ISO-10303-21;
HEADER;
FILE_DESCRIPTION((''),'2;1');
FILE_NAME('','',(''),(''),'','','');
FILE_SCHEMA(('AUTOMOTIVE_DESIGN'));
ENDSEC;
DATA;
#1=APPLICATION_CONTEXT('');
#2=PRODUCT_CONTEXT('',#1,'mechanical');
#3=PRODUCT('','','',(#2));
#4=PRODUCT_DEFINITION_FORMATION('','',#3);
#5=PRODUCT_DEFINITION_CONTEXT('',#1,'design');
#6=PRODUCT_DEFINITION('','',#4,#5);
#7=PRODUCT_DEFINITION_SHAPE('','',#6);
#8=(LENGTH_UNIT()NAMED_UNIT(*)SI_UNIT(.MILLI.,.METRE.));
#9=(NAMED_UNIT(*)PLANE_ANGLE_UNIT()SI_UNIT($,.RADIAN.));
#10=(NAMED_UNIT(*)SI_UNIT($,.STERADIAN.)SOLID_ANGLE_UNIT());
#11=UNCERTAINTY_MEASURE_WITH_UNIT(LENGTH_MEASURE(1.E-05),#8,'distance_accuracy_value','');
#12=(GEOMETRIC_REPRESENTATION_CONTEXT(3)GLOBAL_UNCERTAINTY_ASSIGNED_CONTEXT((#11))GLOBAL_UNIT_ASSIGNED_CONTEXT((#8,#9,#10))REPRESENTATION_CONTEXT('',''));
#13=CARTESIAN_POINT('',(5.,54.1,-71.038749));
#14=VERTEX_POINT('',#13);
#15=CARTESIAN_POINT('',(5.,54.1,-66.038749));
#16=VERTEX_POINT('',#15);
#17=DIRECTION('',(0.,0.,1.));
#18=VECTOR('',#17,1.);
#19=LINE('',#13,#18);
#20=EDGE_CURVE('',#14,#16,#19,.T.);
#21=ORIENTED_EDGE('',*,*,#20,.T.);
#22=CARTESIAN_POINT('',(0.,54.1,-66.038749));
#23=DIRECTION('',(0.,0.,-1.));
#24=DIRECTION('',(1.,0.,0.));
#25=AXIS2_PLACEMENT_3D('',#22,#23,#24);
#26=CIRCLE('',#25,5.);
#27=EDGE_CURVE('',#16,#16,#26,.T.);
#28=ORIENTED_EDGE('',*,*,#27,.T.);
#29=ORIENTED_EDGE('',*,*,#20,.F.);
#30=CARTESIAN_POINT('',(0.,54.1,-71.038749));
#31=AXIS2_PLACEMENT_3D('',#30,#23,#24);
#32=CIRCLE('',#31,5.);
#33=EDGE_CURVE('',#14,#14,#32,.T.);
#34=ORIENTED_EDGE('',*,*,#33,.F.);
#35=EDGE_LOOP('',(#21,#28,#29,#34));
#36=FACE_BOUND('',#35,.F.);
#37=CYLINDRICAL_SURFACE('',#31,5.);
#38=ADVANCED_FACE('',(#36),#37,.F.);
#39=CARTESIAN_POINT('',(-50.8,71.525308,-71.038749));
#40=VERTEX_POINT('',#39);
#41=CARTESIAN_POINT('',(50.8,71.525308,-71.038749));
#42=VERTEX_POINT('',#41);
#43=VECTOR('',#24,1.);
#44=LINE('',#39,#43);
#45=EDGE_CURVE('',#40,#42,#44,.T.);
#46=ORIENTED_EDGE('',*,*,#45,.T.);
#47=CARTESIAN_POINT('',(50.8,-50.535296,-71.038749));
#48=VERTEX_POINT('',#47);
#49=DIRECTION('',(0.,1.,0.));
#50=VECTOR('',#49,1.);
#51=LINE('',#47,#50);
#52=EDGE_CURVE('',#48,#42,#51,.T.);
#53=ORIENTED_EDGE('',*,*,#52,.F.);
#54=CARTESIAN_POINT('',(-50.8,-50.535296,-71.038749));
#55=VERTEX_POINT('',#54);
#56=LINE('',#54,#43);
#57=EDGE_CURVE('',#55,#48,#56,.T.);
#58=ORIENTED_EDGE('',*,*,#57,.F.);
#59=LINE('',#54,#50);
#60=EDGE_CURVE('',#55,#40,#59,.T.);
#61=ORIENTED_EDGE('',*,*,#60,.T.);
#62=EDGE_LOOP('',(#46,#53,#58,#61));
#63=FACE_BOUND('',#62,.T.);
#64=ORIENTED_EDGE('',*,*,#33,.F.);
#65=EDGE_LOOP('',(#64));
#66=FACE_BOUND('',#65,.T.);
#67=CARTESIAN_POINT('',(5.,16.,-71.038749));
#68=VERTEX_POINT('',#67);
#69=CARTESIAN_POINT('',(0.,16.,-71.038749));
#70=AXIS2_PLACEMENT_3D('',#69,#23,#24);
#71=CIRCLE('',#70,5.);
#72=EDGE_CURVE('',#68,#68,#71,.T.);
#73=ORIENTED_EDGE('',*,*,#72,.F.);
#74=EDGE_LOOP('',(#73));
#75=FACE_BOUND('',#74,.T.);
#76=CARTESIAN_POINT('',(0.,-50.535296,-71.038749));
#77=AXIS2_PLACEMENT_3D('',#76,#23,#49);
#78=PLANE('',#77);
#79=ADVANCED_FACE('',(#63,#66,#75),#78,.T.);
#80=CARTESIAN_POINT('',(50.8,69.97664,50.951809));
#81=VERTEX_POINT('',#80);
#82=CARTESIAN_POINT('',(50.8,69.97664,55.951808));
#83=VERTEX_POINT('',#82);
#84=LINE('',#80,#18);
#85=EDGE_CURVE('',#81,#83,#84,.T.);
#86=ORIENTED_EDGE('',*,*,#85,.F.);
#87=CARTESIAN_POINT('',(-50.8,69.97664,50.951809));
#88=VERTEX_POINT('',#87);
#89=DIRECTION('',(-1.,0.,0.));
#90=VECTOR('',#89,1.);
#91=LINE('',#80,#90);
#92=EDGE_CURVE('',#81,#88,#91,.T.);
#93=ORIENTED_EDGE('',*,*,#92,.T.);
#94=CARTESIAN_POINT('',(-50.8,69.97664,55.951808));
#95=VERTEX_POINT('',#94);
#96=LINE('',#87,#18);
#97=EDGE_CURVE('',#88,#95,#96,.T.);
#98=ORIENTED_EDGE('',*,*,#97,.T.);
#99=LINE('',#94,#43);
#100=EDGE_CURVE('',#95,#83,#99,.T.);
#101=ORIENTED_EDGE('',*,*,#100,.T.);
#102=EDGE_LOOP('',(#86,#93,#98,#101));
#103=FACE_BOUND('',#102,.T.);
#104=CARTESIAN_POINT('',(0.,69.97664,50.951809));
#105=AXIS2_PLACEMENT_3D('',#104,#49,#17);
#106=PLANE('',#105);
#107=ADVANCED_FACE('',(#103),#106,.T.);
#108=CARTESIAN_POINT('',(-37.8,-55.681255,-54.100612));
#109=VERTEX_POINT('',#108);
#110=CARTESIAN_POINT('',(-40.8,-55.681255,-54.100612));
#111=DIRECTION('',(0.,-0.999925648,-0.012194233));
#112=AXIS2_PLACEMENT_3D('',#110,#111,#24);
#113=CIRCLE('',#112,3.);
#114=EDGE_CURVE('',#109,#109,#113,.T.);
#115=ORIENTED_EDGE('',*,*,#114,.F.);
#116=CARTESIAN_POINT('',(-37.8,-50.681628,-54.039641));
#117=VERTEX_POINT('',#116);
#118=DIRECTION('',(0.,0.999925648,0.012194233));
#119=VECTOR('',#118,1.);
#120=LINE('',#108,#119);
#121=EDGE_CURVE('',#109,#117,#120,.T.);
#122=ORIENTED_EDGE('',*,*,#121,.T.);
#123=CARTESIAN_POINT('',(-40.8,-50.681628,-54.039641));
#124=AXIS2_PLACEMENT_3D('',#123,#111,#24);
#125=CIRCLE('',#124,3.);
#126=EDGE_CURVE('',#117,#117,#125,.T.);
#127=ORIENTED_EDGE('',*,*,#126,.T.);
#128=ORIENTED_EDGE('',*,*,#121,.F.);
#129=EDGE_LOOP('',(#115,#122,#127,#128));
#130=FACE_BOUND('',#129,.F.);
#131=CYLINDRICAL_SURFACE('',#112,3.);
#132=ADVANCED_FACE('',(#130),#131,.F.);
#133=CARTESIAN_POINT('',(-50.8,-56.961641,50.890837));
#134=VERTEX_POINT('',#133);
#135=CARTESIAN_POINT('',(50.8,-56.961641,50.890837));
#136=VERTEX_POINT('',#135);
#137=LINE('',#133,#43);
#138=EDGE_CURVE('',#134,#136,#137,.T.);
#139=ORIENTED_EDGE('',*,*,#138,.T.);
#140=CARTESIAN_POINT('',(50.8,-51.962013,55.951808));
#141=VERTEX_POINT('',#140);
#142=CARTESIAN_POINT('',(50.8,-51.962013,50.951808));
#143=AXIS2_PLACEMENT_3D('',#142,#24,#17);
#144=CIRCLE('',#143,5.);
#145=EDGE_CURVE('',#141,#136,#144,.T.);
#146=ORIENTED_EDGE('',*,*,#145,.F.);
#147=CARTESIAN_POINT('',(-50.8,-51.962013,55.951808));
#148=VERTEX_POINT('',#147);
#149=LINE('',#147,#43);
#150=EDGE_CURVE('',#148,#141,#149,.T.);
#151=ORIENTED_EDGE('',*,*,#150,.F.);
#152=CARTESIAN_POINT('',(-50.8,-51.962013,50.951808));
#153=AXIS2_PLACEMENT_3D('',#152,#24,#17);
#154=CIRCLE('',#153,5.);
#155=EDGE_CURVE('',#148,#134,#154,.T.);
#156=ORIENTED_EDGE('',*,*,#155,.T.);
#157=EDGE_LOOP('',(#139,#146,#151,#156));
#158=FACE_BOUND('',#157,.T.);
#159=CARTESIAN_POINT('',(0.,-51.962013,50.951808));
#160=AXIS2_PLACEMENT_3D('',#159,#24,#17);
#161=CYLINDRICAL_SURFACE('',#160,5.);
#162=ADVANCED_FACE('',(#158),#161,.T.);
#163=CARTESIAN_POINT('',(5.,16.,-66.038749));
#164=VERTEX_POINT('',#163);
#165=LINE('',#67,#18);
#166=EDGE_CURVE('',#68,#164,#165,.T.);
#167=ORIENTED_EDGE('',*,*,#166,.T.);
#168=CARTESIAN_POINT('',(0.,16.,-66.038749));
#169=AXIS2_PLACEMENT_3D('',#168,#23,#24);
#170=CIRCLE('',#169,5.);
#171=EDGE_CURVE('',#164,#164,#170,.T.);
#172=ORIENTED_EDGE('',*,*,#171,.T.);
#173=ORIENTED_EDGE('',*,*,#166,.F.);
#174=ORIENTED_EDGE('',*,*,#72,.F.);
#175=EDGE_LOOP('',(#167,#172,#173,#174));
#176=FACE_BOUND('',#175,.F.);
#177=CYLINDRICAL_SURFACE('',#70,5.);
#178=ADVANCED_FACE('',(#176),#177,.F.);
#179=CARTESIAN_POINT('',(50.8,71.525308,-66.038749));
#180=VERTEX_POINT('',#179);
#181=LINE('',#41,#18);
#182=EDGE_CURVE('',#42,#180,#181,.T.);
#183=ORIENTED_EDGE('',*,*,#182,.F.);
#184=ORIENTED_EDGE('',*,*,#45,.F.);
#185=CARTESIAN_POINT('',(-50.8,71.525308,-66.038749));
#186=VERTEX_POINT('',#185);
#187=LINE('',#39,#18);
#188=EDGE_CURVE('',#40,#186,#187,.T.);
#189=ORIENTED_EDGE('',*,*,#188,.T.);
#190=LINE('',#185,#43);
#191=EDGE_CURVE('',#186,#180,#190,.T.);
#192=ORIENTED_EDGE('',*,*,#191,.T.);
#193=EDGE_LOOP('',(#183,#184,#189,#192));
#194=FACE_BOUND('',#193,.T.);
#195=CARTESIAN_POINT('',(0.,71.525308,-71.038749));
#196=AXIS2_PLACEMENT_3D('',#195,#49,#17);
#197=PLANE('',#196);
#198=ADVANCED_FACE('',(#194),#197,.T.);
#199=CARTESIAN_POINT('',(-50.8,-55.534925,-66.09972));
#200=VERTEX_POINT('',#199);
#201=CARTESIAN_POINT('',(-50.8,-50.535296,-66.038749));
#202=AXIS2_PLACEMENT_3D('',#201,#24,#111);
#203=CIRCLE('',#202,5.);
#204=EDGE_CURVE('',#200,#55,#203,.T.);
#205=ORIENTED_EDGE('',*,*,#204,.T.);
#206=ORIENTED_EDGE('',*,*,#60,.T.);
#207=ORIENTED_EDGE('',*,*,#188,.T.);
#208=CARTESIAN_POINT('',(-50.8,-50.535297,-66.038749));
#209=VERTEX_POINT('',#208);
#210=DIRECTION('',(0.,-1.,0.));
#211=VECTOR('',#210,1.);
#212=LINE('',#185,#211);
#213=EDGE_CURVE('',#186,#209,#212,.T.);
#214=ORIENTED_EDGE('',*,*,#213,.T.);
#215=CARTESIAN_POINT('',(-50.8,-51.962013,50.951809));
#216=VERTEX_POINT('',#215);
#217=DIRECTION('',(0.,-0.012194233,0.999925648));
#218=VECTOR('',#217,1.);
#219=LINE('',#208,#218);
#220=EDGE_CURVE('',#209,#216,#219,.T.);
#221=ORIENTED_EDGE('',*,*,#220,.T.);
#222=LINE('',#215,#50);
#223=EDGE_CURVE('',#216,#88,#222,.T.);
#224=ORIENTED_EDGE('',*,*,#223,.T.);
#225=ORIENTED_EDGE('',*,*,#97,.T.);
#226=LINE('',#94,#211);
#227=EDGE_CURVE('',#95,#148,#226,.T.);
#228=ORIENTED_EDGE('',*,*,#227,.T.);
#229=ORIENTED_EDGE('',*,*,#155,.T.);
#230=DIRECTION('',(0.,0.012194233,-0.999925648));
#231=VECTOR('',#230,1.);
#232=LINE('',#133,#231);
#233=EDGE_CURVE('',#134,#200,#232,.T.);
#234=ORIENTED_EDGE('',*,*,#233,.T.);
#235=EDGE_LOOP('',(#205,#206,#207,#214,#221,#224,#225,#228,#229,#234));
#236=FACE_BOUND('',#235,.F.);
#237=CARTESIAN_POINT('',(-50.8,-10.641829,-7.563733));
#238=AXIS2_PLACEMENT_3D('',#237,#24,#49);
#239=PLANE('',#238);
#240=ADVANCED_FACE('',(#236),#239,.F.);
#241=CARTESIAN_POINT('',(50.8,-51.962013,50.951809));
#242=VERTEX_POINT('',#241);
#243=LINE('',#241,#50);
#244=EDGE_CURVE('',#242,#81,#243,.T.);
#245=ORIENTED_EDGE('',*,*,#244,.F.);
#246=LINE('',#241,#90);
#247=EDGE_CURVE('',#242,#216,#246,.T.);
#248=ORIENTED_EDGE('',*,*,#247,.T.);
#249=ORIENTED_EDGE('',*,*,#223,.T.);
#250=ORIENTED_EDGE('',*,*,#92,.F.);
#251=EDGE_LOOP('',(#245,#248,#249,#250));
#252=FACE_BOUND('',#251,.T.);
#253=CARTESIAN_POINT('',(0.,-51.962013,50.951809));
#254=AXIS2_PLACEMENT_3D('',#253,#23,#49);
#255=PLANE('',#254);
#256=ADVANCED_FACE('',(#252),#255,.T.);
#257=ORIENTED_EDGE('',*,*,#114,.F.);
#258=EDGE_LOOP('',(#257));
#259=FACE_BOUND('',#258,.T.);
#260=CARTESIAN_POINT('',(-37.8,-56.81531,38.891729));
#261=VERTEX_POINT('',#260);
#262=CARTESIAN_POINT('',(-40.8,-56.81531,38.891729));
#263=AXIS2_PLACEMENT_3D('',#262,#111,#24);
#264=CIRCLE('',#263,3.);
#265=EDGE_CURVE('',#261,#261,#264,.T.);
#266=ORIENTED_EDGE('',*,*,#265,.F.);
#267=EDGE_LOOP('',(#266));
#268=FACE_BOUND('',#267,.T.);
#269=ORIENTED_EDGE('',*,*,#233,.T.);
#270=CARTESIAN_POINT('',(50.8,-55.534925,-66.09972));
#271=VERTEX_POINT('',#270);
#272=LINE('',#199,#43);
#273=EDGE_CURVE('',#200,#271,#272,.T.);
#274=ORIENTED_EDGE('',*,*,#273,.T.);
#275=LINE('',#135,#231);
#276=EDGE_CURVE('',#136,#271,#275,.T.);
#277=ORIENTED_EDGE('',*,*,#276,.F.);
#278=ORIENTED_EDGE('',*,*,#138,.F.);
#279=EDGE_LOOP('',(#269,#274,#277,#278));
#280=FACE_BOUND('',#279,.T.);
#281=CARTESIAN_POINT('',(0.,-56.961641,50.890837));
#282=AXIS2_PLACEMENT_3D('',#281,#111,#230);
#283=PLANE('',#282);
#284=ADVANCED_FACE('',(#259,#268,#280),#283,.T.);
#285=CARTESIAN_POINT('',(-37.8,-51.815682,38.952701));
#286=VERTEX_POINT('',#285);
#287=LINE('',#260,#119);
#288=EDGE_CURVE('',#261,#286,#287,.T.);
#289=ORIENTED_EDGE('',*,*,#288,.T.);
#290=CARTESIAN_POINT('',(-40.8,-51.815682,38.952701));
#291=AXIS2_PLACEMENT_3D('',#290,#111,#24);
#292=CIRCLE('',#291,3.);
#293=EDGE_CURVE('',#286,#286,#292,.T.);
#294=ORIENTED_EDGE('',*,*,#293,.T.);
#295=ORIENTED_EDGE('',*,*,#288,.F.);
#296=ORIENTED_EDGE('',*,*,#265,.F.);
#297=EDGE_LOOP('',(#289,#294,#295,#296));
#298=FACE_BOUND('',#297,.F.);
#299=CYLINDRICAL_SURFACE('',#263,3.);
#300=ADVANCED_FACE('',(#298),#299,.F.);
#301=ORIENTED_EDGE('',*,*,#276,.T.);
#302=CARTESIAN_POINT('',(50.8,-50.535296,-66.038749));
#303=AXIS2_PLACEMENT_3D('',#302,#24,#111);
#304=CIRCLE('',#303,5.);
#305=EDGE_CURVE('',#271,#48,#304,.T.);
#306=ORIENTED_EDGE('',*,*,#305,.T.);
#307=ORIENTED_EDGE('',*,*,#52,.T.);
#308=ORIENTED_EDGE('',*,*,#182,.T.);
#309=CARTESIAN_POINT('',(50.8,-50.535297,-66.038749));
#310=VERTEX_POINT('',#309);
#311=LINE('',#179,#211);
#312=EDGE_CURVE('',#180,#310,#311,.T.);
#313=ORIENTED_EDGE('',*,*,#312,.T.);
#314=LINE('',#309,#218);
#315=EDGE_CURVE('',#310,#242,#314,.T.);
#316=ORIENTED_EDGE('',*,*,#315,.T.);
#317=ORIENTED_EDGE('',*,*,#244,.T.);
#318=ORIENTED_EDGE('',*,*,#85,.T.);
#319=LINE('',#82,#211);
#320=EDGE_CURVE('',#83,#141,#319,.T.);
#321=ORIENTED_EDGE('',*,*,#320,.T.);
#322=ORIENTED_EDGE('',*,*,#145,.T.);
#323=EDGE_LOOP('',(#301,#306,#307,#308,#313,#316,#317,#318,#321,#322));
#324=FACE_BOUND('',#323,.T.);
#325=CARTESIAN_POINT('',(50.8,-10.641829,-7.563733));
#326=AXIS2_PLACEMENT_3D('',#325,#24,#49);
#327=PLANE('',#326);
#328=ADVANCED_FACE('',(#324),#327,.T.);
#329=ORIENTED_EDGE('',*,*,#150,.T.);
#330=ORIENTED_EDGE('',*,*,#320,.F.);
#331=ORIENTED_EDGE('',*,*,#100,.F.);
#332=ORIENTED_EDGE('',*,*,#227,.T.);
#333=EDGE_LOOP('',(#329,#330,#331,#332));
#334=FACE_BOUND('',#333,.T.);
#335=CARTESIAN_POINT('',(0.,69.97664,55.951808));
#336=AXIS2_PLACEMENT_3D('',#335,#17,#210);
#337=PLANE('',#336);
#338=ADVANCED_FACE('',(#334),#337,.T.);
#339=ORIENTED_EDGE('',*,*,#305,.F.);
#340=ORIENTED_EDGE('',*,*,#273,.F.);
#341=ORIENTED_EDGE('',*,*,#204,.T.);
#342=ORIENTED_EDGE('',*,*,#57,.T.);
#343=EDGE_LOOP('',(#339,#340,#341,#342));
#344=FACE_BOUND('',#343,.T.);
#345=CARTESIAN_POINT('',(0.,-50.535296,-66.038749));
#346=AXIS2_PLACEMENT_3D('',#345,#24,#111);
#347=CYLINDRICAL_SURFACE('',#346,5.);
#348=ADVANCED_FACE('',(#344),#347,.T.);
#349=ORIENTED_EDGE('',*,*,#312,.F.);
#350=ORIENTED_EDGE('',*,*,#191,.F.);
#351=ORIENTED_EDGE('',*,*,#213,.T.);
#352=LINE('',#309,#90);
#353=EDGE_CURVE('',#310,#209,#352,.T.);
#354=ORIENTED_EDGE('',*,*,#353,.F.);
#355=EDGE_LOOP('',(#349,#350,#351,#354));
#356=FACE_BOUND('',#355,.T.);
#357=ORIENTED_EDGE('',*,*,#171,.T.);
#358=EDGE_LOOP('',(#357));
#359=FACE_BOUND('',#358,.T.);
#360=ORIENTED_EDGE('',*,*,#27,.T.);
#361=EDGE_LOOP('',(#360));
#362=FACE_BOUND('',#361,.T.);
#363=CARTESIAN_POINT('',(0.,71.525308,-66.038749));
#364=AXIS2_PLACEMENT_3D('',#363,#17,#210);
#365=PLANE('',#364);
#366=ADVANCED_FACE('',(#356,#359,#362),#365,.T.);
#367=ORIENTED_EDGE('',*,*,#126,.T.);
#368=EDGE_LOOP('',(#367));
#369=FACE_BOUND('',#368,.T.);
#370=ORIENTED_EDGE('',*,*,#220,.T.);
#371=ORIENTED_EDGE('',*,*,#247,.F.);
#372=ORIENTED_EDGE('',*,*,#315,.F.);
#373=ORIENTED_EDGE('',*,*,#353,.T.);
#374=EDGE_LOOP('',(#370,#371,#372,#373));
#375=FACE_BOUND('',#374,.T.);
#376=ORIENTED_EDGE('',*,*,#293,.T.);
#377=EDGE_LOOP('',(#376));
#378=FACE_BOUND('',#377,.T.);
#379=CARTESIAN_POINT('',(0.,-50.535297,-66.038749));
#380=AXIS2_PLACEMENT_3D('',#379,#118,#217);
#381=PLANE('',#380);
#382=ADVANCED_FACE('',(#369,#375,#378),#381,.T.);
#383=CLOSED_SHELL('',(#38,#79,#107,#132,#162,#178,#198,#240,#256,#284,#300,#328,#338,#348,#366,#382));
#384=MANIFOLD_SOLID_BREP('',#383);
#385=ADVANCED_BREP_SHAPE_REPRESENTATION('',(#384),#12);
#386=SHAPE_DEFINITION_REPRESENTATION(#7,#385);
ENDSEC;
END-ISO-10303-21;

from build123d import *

# Parameters (mm, degrees)
F1_DEPTH = 50.8
F2_R     = 5
F3_DEPTH = 4.9999996097
F4_R     = 3
F5_DEPTH = 128.5401096596


with BuildPart() as f1:
    # F0 (on Right) → F1 (new body, symmetric)
    with BuildSketch(Plane.YZ):
        with BuildLine():
            Line((69.9766400008, 50.951808691), (69.9766400008, 55.9518083008))
            Line((69.9766400008, 55.9518083008), (-51.9620125118, 55.9518083008))
            ThreePointArc((-51.9620125118, 55.9518083008), (-55.5190376607, 54.4657195247), (-56.9616407497, 50.8908371368))
            Line((-56.9616407497, 50.8908371368), (-55.5349245808, -66.0997201058))
            ThreePointArc((-55.5349245808, -66.0997201058), (-54.0492075669, -69.5957740907), (-50.5352963429, -71.0387489418))
            Line((-50.5352963429, -71.0387489418), (71.525307565, -71.0387489418))
            Line((71.525307565, -71.0387489418), (71.525307565, -66.0387493321))
            Line((71.525307565, -66.0387493321), (-50.5352967284, -66.0387493321))
            Line((-50.5352967284, -66.0387493321), (-51.9620129069, 50.951808691))
            Line((-51.9620129069, 50.951808691), (69.9766400008, 50.951808691))
        make_face()
    extrude(amount=F1_DEPTH, both=True)

    # F2 (on face) → F3 (cut, through all)
    with BuildSketch(Plane(origin=(0, 0, -71.0387489418), x_dir=(1, 0, 0), z_dir=(0, 0, -1))):
        with Locations((0, -16)):
            Circle(F2_R)
        with Locations((0, -54.1)):
            Circle(F2_R)
    extrude(amount=-F3_DEPTH, mode=Mode.SUBTRACT)

    # F4 (on face) → F5 (cut, through all)
    with BuildSketch(Plane(origin=(0, -56.3326420192, -0.6869844294), x_dir=(1, 0, 0), z_dir=(0, -0.9999256476, -0.0121942328))):
        with Locations((-40.8, 39.5816567872)):
            Circle(F4_R)
        with Locations((-40.8, -53.4175996333)):
            Circle(F4_R)
    extrude(amount=-F5_DEPTH, mode=Mode.SUBTRACT)


solid = f1.part
